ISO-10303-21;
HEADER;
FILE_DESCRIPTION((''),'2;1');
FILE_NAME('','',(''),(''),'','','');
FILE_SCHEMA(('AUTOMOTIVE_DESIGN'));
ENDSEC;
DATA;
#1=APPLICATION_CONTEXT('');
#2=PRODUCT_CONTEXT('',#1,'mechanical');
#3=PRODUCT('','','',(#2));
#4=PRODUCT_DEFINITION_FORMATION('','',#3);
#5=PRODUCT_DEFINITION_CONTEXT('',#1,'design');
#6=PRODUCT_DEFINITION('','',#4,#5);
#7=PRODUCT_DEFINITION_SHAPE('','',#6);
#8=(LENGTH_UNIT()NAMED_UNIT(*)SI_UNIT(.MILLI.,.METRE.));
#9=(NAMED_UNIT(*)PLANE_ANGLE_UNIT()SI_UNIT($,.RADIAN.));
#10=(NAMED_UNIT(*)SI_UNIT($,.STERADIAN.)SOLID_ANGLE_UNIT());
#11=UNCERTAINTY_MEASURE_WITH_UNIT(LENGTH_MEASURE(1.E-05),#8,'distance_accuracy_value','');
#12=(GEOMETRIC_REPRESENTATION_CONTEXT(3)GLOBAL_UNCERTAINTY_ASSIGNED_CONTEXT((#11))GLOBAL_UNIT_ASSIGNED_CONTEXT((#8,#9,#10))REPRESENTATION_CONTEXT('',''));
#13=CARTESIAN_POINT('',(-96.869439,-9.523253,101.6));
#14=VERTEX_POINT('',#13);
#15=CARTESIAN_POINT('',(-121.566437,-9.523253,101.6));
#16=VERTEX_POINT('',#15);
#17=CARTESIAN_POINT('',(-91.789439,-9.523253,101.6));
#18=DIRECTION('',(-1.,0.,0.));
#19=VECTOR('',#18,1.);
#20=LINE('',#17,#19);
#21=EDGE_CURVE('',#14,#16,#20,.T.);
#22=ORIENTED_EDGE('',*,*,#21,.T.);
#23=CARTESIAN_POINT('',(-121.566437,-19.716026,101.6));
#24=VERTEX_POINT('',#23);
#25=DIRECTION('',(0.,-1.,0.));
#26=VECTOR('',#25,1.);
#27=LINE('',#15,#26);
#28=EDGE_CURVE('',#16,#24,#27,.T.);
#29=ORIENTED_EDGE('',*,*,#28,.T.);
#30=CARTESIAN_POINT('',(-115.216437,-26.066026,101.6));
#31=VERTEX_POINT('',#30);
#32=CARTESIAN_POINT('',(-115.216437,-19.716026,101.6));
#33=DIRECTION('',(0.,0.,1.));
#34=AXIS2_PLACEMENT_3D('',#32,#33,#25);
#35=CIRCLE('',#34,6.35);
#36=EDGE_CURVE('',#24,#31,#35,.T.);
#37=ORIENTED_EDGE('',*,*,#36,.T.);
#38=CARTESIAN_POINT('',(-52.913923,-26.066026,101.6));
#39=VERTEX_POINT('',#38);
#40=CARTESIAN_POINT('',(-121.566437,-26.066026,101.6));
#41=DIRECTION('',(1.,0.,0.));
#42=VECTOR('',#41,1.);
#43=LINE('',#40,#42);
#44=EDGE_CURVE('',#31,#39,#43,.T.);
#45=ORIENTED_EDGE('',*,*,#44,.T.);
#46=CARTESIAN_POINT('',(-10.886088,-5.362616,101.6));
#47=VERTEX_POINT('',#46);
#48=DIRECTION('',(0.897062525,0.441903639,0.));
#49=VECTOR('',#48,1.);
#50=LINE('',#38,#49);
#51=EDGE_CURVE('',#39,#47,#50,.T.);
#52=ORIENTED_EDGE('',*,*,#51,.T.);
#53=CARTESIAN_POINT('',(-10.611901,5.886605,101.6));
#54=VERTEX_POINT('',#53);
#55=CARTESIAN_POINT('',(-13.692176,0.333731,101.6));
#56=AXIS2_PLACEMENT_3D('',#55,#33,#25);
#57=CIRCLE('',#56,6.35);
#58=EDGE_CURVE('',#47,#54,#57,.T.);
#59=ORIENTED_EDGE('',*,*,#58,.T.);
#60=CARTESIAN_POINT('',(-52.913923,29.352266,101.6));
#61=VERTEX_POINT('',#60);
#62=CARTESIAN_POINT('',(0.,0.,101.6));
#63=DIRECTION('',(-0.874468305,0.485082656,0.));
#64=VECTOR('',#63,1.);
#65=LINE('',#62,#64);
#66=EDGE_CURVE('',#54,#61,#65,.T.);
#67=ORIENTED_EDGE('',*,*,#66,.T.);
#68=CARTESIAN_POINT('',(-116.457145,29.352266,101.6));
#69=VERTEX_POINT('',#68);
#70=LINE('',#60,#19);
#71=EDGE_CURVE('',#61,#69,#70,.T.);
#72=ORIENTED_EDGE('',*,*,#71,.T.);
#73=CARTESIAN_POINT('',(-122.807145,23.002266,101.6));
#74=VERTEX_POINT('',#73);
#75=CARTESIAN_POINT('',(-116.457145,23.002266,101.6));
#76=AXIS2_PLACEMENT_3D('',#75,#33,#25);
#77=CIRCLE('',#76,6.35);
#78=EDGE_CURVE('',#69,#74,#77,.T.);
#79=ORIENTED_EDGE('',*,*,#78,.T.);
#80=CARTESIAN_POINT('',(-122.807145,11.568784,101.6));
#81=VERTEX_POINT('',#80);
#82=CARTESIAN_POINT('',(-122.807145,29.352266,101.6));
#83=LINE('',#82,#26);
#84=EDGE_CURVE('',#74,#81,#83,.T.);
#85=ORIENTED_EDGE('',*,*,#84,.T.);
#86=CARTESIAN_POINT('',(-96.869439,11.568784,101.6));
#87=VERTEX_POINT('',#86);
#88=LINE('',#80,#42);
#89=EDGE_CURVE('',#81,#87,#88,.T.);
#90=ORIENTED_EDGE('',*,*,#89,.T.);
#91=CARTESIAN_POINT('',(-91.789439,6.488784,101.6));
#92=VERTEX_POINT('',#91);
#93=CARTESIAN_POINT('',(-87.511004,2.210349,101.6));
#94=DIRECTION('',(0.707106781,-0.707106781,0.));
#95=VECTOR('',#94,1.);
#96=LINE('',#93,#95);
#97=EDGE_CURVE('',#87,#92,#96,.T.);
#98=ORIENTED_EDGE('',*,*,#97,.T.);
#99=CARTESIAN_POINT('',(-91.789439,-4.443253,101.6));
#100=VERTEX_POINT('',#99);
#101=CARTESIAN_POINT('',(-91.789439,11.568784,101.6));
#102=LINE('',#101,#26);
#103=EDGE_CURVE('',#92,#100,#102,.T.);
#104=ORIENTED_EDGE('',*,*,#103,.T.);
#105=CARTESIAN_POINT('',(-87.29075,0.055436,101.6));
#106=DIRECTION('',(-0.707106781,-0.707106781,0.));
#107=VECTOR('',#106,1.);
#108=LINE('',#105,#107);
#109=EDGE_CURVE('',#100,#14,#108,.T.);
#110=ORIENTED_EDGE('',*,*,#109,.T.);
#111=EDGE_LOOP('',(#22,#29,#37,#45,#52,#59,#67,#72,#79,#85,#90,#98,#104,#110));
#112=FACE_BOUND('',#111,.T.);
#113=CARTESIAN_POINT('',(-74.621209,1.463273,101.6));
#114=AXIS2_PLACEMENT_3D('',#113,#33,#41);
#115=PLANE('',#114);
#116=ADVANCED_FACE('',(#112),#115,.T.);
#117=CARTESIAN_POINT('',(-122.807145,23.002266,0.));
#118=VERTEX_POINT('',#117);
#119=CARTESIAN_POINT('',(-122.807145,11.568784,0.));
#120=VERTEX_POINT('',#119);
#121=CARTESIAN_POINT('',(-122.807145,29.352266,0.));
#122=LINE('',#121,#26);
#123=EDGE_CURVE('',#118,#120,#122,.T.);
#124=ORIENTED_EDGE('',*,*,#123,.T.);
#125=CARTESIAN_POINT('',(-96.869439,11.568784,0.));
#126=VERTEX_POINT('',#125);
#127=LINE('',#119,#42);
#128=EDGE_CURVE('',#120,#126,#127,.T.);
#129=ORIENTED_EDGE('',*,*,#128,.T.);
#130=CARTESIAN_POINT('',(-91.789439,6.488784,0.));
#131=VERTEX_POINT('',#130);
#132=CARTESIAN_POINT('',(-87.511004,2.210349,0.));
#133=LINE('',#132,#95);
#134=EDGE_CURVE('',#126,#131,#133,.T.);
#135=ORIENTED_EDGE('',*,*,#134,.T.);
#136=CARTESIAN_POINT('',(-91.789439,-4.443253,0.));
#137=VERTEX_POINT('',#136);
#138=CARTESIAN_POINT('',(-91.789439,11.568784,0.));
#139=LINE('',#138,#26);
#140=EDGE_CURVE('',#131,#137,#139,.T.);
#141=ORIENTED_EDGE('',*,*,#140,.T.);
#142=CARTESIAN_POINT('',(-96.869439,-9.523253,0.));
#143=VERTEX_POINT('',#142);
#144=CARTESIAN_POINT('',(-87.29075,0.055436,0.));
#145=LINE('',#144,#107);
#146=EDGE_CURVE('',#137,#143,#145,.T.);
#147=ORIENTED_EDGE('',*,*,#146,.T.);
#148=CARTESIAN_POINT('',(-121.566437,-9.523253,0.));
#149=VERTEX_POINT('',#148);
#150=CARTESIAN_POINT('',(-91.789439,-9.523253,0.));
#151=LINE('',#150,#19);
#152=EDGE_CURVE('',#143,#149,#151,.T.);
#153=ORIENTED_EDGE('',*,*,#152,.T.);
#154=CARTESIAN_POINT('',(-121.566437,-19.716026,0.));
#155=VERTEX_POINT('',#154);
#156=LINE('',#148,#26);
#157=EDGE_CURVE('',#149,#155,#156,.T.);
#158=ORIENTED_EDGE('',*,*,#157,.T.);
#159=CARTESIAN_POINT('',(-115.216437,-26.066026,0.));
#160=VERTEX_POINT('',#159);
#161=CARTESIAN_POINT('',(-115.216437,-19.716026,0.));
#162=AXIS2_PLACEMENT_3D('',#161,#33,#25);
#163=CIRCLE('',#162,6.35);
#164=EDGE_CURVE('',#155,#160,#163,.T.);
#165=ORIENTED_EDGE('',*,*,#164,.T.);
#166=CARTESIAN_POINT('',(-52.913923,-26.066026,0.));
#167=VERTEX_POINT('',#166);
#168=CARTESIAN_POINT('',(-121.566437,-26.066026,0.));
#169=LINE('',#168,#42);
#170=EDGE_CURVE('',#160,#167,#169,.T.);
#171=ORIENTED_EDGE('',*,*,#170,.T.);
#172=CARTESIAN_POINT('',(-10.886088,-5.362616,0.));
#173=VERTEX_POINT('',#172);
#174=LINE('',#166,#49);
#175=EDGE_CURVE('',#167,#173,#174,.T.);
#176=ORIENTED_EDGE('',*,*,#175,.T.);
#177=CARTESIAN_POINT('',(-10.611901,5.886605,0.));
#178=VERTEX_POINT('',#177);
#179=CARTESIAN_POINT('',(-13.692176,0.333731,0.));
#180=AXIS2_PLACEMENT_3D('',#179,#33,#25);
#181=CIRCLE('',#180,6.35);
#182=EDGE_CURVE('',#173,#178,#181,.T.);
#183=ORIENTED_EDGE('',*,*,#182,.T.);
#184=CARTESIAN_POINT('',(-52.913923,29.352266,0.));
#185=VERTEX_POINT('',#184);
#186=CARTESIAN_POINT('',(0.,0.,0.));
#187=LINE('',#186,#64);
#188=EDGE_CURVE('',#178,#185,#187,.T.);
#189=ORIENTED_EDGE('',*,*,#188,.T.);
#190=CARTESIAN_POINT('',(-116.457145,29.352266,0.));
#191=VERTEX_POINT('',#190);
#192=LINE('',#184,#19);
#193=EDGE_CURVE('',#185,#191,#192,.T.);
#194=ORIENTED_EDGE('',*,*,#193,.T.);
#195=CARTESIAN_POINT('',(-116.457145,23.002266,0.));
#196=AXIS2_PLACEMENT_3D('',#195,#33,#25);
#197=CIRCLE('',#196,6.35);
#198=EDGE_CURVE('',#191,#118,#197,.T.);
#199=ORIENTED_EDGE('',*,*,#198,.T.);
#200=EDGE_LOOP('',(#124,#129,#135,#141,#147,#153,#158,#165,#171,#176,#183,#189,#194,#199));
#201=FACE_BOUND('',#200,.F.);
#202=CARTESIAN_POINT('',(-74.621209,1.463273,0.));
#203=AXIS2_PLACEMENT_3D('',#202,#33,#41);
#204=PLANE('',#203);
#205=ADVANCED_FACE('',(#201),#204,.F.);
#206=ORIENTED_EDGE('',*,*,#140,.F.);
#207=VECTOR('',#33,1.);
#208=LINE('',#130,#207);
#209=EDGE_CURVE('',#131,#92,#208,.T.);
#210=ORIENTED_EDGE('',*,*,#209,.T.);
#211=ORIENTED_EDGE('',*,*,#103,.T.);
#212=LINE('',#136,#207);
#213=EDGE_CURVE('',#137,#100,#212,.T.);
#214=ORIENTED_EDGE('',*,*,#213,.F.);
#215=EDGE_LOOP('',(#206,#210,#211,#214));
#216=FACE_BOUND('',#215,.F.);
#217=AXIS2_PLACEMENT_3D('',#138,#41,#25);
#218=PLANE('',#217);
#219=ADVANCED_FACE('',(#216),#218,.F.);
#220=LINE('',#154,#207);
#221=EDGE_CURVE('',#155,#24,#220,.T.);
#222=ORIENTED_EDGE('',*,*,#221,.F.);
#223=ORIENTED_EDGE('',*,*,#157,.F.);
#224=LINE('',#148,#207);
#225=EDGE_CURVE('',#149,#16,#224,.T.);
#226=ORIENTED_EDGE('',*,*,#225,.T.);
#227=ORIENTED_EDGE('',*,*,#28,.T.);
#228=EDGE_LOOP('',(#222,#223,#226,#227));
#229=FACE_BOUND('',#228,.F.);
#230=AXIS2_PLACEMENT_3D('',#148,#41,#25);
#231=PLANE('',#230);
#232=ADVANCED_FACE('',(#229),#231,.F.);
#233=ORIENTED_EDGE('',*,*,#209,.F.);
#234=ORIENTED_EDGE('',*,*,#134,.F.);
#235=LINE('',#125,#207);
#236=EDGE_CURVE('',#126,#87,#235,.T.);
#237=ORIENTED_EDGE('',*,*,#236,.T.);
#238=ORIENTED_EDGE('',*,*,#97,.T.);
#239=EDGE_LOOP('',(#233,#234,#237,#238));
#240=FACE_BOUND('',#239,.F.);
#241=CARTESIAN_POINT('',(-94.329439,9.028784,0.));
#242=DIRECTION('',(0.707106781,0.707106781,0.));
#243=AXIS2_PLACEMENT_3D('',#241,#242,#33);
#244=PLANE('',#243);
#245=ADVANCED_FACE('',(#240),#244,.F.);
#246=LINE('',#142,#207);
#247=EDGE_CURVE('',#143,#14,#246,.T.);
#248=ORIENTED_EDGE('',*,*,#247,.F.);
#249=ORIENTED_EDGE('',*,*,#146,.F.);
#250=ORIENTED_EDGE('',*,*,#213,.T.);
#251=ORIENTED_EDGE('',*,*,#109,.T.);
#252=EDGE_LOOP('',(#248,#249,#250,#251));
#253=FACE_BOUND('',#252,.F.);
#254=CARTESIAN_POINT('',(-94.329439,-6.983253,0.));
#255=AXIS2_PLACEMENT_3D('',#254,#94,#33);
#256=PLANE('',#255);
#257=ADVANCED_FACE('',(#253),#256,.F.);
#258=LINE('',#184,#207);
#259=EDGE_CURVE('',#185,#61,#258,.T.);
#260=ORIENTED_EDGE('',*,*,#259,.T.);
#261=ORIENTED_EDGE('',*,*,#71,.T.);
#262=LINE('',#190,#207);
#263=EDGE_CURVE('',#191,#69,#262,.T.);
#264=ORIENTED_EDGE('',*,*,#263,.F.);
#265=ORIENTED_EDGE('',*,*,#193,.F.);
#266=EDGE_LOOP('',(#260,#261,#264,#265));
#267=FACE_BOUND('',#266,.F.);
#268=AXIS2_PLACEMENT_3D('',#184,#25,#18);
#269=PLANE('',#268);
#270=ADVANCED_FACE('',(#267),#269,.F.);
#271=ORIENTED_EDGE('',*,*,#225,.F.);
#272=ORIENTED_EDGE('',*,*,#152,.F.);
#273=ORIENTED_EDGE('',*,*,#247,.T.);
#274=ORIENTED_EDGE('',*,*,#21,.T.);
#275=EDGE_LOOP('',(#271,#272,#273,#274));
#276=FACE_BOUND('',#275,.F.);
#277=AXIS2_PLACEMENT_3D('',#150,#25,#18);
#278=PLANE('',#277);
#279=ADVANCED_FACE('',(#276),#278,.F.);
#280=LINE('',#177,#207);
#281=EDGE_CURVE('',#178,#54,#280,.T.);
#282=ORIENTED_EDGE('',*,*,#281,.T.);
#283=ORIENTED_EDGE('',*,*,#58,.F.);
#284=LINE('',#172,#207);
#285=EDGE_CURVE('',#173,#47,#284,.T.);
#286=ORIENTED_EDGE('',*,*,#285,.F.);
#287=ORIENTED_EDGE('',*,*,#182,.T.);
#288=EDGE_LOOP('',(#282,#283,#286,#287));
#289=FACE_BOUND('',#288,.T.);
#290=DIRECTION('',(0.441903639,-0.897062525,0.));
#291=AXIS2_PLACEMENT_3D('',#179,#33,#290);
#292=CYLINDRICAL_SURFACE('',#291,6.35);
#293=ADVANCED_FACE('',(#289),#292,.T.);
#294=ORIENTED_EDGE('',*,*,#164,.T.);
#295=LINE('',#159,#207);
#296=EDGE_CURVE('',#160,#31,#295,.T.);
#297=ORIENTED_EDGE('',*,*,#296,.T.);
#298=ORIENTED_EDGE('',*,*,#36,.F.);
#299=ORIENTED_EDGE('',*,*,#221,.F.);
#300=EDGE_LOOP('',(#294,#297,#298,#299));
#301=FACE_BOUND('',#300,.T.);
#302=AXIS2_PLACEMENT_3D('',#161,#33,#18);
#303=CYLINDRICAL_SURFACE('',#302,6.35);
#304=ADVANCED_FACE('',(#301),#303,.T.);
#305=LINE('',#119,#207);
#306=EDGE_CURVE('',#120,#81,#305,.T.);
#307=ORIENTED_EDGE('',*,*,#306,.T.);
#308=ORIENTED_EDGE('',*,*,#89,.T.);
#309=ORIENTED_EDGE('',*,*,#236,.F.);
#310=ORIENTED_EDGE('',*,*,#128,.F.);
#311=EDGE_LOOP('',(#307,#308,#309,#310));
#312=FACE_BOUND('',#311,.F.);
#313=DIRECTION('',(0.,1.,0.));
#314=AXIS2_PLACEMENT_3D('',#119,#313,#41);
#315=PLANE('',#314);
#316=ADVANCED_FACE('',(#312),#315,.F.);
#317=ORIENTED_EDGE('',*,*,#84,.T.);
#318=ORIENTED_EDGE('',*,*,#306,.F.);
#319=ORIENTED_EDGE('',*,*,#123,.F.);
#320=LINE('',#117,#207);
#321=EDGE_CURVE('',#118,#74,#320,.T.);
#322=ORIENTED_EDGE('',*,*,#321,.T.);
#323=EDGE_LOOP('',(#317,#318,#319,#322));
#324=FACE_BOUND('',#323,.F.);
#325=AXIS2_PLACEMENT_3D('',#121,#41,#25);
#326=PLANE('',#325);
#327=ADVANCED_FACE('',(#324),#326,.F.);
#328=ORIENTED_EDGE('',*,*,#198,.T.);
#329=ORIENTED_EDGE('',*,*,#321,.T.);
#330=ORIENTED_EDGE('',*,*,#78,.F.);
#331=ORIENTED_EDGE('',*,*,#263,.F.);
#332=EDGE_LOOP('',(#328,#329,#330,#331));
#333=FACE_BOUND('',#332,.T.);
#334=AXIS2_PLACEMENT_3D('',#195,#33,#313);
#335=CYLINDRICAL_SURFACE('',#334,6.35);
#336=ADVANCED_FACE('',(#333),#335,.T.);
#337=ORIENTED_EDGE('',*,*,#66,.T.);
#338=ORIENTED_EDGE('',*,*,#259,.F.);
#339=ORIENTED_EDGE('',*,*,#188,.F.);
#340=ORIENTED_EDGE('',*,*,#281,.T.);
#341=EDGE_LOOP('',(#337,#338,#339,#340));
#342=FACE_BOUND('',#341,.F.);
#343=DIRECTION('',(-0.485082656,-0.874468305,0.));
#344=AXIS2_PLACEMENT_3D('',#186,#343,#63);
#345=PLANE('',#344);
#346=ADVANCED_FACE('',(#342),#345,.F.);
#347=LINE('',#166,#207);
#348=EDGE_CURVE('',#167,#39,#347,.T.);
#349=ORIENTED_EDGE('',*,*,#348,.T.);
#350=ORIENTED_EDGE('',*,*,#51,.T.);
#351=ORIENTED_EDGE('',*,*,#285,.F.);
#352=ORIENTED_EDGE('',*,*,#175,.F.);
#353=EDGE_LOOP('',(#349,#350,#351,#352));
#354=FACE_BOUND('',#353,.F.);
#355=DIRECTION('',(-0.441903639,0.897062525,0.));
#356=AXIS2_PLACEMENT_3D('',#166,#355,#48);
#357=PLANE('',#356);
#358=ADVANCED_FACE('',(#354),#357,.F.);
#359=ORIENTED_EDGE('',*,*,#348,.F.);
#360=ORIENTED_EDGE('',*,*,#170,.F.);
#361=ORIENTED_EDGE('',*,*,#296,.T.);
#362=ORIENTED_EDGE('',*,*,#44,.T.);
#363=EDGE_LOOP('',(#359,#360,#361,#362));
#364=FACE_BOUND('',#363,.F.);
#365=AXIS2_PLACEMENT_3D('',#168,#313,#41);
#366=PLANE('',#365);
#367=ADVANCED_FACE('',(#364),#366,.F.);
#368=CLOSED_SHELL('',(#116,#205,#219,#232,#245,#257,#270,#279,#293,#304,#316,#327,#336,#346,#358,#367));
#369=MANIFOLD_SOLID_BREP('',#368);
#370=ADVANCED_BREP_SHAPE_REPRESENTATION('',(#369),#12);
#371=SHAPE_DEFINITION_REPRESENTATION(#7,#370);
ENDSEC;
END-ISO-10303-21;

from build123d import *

# Parameters (mm, degrees)
F1_DEPTH = 101.6
F2_R     = 6.35
F3_SIZE2 = 5.08
F3_SIZE  = 5.08
F4_SIZE2 = 5.08
F4_SIZE  = 5.08
F5_R     = 6.35


with BuildPart() as f1:
    # F0 (on Top) → F1 (new body)
    with BuildSketch(Plane.XY):
        Polygon((-52.913923, 29.352266), (-122.807145, 29.352266), (-122.807145, 11.568784), (-91.789439, 11.568784), (-91.789439, -9.523253), (-121.566437, -9.523253), (-121.566437, -26.066026), (-52.913923, -26.066026), (0, 0), align=None)
    extrude(amount=F1_DEPTH)

    # F2
    f2_edges = [f1.edges().sort_by_distance(p)[0] for p in [
        (-121.566437, -26.066026, 50.8),
        (-122.807145, 29.352266, 50.8),
    ]]
    fillet(f2_edges, radius=F2_R)

    # F3
    f3_edges = [f1.edges().sort_by_distance(p)[0] for p in [
        (-91.789439, 11.568784, 50.8),
    ]]
    chamfer(f3_edges, length=F3_SIZE, length2=F3_SIZE2)

    # F4
    f4_edges = [f1.edges().sort_by_distance(p)[0] for p in [
        (-91.789439, -9.523253, 50.8),
    ]]
    chamfer(f4_edges, length=F4_SIZE, length2=F4_SIZE2)

    # F5
    f5_edges = [f1.edges().sort_by_distance(p)[0] for p in [
        (0, 0, 50.8),
    ]]
    fillet(f5_edges, radius=F5_R)


solid = f1.part
